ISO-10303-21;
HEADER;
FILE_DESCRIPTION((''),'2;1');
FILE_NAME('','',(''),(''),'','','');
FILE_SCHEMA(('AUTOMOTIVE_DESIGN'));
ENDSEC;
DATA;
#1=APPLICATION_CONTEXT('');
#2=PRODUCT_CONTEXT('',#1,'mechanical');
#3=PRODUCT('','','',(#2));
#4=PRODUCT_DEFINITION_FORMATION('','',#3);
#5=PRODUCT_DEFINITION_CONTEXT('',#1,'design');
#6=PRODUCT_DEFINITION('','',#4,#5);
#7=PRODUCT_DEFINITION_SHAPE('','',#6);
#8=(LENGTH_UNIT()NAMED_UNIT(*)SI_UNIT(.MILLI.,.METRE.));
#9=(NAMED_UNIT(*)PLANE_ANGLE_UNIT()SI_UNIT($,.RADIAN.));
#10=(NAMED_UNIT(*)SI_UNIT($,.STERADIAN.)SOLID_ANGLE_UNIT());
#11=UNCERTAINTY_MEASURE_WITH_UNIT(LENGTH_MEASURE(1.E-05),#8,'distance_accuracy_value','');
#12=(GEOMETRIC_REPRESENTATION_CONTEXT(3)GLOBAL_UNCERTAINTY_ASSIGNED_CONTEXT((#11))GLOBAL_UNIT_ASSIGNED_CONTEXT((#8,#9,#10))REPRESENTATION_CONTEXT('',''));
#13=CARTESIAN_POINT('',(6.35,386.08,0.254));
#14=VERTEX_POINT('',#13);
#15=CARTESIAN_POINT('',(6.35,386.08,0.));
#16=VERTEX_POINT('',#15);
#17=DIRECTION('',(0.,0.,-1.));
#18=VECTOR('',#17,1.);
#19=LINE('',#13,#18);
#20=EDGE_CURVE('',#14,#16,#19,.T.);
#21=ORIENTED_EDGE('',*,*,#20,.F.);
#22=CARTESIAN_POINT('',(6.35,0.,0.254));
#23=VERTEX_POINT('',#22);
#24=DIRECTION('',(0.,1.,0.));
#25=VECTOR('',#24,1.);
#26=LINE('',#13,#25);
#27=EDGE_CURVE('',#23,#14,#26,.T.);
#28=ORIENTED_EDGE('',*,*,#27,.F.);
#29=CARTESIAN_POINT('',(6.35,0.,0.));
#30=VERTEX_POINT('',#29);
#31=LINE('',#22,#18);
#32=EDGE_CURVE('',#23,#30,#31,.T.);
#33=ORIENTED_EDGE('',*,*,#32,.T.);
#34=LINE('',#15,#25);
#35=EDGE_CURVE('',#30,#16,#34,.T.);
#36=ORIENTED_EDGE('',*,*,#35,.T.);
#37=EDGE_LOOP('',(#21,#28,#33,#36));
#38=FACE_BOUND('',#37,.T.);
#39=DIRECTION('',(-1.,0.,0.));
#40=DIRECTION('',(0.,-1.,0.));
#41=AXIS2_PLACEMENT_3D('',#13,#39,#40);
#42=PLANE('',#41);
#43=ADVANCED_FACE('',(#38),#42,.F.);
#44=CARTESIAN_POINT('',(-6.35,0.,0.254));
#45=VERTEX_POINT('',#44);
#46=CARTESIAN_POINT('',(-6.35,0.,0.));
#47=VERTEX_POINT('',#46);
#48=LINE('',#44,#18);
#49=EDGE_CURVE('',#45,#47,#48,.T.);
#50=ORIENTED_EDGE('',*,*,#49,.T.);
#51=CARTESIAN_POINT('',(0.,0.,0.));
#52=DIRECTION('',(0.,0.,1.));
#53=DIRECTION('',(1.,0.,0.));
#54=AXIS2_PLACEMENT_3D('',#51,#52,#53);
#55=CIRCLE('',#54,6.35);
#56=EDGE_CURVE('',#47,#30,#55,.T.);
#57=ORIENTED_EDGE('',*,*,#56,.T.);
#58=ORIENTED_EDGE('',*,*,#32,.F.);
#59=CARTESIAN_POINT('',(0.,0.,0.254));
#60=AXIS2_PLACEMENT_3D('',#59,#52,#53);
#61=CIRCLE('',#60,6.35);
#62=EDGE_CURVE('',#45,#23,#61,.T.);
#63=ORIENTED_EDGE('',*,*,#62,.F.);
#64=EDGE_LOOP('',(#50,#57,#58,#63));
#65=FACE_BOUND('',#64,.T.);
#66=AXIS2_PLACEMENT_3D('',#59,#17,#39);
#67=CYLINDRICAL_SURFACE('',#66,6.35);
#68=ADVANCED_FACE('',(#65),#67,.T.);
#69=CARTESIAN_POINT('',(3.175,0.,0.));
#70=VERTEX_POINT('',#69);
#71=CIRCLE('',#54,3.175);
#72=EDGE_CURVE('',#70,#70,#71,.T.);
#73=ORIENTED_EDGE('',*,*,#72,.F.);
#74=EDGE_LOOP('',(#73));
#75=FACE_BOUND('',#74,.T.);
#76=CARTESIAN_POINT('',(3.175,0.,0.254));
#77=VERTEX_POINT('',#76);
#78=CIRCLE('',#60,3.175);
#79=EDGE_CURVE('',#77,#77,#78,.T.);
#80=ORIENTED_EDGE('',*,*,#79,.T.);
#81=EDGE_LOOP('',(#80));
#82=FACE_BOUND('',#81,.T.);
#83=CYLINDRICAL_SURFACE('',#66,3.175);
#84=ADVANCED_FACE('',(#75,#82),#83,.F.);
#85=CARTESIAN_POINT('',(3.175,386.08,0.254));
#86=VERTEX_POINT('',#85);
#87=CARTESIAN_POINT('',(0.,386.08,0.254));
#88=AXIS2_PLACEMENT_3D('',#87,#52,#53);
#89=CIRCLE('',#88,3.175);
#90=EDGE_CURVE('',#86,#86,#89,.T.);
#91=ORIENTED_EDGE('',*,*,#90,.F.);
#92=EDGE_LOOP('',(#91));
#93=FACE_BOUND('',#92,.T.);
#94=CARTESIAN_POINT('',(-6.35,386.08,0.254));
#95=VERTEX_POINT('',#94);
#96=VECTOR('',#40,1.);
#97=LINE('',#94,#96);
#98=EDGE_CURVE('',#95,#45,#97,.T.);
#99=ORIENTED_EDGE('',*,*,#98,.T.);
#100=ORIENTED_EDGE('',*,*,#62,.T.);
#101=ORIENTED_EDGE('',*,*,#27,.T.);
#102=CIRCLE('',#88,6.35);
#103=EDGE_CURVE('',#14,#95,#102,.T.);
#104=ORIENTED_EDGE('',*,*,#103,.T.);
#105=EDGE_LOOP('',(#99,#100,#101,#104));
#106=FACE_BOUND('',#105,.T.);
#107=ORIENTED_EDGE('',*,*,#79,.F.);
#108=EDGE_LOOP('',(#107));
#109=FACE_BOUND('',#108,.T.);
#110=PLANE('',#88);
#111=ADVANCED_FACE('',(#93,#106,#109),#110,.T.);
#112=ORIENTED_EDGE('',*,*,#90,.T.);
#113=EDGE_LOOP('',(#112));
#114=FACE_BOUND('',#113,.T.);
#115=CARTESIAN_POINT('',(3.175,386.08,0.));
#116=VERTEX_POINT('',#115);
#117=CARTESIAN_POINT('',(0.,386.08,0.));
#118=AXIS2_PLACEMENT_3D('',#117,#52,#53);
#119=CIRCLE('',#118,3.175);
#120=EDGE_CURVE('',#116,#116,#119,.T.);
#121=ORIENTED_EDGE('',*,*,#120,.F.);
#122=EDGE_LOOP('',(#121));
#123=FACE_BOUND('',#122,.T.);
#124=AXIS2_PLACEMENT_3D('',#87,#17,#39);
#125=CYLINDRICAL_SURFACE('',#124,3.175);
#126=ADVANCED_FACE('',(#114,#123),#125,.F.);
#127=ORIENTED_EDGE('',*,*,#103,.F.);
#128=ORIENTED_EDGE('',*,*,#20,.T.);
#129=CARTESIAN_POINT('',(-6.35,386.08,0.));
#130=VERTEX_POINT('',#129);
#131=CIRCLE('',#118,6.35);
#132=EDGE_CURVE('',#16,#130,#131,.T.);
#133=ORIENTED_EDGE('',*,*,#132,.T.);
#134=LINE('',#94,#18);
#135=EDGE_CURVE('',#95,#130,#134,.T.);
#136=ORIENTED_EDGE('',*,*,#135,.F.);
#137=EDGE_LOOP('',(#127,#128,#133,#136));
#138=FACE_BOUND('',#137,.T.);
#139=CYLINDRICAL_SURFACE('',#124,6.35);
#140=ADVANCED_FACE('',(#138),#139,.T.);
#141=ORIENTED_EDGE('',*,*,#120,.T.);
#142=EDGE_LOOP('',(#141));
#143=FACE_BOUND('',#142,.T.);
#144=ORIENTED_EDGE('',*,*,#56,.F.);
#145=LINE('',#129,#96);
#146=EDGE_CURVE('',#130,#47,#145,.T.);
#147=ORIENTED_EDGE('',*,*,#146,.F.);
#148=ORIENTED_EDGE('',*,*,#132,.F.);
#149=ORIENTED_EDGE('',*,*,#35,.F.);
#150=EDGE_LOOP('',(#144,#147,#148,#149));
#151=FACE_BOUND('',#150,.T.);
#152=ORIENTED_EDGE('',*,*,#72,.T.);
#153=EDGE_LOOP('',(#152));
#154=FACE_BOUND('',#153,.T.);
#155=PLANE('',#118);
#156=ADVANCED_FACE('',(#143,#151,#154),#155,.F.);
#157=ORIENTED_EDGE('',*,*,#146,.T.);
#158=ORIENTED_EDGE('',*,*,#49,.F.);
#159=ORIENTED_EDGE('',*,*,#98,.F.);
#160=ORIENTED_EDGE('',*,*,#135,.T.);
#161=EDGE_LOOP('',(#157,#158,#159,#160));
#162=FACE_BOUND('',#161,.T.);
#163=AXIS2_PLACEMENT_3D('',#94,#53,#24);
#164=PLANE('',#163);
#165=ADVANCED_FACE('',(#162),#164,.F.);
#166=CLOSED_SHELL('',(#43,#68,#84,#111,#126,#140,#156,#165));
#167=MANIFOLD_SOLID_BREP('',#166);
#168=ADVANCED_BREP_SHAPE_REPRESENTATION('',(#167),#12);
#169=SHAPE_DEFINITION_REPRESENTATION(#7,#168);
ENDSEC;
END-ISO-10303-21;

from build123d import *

# Parameters (mm, degrees)
SKETCH2_R           = 3.175
BOSS_EXTRUDE1_DEPTH = 0.254


with BuildPart() as part:
    # Sketch2 → Boss-Extrude1 (new body)
    with BuildSketch(Plane.XY):
        with BuildLine():
            Line((6.35, 386.08), (6.35, 0))
            ThreePointArc((6.35, 0), (0, -6.35), (-6.35, 0))
            Line((-6.35, 0), (-6.35, 386.08))
            ThreePointArc((-6.35, 386.08), (0, 392.43), (6.35, 386.08))
        make_face()
        with Locations((0, 386.08)):
            Circle(SKETCH2_R, mode=Mode.SUBTRACT)
        Circle(SKETCH2_R, mode=Mode.SUBTRACT)
    extrude(amount=BOSS_EXTRUDE1_DEPTH)


solid = part.part
